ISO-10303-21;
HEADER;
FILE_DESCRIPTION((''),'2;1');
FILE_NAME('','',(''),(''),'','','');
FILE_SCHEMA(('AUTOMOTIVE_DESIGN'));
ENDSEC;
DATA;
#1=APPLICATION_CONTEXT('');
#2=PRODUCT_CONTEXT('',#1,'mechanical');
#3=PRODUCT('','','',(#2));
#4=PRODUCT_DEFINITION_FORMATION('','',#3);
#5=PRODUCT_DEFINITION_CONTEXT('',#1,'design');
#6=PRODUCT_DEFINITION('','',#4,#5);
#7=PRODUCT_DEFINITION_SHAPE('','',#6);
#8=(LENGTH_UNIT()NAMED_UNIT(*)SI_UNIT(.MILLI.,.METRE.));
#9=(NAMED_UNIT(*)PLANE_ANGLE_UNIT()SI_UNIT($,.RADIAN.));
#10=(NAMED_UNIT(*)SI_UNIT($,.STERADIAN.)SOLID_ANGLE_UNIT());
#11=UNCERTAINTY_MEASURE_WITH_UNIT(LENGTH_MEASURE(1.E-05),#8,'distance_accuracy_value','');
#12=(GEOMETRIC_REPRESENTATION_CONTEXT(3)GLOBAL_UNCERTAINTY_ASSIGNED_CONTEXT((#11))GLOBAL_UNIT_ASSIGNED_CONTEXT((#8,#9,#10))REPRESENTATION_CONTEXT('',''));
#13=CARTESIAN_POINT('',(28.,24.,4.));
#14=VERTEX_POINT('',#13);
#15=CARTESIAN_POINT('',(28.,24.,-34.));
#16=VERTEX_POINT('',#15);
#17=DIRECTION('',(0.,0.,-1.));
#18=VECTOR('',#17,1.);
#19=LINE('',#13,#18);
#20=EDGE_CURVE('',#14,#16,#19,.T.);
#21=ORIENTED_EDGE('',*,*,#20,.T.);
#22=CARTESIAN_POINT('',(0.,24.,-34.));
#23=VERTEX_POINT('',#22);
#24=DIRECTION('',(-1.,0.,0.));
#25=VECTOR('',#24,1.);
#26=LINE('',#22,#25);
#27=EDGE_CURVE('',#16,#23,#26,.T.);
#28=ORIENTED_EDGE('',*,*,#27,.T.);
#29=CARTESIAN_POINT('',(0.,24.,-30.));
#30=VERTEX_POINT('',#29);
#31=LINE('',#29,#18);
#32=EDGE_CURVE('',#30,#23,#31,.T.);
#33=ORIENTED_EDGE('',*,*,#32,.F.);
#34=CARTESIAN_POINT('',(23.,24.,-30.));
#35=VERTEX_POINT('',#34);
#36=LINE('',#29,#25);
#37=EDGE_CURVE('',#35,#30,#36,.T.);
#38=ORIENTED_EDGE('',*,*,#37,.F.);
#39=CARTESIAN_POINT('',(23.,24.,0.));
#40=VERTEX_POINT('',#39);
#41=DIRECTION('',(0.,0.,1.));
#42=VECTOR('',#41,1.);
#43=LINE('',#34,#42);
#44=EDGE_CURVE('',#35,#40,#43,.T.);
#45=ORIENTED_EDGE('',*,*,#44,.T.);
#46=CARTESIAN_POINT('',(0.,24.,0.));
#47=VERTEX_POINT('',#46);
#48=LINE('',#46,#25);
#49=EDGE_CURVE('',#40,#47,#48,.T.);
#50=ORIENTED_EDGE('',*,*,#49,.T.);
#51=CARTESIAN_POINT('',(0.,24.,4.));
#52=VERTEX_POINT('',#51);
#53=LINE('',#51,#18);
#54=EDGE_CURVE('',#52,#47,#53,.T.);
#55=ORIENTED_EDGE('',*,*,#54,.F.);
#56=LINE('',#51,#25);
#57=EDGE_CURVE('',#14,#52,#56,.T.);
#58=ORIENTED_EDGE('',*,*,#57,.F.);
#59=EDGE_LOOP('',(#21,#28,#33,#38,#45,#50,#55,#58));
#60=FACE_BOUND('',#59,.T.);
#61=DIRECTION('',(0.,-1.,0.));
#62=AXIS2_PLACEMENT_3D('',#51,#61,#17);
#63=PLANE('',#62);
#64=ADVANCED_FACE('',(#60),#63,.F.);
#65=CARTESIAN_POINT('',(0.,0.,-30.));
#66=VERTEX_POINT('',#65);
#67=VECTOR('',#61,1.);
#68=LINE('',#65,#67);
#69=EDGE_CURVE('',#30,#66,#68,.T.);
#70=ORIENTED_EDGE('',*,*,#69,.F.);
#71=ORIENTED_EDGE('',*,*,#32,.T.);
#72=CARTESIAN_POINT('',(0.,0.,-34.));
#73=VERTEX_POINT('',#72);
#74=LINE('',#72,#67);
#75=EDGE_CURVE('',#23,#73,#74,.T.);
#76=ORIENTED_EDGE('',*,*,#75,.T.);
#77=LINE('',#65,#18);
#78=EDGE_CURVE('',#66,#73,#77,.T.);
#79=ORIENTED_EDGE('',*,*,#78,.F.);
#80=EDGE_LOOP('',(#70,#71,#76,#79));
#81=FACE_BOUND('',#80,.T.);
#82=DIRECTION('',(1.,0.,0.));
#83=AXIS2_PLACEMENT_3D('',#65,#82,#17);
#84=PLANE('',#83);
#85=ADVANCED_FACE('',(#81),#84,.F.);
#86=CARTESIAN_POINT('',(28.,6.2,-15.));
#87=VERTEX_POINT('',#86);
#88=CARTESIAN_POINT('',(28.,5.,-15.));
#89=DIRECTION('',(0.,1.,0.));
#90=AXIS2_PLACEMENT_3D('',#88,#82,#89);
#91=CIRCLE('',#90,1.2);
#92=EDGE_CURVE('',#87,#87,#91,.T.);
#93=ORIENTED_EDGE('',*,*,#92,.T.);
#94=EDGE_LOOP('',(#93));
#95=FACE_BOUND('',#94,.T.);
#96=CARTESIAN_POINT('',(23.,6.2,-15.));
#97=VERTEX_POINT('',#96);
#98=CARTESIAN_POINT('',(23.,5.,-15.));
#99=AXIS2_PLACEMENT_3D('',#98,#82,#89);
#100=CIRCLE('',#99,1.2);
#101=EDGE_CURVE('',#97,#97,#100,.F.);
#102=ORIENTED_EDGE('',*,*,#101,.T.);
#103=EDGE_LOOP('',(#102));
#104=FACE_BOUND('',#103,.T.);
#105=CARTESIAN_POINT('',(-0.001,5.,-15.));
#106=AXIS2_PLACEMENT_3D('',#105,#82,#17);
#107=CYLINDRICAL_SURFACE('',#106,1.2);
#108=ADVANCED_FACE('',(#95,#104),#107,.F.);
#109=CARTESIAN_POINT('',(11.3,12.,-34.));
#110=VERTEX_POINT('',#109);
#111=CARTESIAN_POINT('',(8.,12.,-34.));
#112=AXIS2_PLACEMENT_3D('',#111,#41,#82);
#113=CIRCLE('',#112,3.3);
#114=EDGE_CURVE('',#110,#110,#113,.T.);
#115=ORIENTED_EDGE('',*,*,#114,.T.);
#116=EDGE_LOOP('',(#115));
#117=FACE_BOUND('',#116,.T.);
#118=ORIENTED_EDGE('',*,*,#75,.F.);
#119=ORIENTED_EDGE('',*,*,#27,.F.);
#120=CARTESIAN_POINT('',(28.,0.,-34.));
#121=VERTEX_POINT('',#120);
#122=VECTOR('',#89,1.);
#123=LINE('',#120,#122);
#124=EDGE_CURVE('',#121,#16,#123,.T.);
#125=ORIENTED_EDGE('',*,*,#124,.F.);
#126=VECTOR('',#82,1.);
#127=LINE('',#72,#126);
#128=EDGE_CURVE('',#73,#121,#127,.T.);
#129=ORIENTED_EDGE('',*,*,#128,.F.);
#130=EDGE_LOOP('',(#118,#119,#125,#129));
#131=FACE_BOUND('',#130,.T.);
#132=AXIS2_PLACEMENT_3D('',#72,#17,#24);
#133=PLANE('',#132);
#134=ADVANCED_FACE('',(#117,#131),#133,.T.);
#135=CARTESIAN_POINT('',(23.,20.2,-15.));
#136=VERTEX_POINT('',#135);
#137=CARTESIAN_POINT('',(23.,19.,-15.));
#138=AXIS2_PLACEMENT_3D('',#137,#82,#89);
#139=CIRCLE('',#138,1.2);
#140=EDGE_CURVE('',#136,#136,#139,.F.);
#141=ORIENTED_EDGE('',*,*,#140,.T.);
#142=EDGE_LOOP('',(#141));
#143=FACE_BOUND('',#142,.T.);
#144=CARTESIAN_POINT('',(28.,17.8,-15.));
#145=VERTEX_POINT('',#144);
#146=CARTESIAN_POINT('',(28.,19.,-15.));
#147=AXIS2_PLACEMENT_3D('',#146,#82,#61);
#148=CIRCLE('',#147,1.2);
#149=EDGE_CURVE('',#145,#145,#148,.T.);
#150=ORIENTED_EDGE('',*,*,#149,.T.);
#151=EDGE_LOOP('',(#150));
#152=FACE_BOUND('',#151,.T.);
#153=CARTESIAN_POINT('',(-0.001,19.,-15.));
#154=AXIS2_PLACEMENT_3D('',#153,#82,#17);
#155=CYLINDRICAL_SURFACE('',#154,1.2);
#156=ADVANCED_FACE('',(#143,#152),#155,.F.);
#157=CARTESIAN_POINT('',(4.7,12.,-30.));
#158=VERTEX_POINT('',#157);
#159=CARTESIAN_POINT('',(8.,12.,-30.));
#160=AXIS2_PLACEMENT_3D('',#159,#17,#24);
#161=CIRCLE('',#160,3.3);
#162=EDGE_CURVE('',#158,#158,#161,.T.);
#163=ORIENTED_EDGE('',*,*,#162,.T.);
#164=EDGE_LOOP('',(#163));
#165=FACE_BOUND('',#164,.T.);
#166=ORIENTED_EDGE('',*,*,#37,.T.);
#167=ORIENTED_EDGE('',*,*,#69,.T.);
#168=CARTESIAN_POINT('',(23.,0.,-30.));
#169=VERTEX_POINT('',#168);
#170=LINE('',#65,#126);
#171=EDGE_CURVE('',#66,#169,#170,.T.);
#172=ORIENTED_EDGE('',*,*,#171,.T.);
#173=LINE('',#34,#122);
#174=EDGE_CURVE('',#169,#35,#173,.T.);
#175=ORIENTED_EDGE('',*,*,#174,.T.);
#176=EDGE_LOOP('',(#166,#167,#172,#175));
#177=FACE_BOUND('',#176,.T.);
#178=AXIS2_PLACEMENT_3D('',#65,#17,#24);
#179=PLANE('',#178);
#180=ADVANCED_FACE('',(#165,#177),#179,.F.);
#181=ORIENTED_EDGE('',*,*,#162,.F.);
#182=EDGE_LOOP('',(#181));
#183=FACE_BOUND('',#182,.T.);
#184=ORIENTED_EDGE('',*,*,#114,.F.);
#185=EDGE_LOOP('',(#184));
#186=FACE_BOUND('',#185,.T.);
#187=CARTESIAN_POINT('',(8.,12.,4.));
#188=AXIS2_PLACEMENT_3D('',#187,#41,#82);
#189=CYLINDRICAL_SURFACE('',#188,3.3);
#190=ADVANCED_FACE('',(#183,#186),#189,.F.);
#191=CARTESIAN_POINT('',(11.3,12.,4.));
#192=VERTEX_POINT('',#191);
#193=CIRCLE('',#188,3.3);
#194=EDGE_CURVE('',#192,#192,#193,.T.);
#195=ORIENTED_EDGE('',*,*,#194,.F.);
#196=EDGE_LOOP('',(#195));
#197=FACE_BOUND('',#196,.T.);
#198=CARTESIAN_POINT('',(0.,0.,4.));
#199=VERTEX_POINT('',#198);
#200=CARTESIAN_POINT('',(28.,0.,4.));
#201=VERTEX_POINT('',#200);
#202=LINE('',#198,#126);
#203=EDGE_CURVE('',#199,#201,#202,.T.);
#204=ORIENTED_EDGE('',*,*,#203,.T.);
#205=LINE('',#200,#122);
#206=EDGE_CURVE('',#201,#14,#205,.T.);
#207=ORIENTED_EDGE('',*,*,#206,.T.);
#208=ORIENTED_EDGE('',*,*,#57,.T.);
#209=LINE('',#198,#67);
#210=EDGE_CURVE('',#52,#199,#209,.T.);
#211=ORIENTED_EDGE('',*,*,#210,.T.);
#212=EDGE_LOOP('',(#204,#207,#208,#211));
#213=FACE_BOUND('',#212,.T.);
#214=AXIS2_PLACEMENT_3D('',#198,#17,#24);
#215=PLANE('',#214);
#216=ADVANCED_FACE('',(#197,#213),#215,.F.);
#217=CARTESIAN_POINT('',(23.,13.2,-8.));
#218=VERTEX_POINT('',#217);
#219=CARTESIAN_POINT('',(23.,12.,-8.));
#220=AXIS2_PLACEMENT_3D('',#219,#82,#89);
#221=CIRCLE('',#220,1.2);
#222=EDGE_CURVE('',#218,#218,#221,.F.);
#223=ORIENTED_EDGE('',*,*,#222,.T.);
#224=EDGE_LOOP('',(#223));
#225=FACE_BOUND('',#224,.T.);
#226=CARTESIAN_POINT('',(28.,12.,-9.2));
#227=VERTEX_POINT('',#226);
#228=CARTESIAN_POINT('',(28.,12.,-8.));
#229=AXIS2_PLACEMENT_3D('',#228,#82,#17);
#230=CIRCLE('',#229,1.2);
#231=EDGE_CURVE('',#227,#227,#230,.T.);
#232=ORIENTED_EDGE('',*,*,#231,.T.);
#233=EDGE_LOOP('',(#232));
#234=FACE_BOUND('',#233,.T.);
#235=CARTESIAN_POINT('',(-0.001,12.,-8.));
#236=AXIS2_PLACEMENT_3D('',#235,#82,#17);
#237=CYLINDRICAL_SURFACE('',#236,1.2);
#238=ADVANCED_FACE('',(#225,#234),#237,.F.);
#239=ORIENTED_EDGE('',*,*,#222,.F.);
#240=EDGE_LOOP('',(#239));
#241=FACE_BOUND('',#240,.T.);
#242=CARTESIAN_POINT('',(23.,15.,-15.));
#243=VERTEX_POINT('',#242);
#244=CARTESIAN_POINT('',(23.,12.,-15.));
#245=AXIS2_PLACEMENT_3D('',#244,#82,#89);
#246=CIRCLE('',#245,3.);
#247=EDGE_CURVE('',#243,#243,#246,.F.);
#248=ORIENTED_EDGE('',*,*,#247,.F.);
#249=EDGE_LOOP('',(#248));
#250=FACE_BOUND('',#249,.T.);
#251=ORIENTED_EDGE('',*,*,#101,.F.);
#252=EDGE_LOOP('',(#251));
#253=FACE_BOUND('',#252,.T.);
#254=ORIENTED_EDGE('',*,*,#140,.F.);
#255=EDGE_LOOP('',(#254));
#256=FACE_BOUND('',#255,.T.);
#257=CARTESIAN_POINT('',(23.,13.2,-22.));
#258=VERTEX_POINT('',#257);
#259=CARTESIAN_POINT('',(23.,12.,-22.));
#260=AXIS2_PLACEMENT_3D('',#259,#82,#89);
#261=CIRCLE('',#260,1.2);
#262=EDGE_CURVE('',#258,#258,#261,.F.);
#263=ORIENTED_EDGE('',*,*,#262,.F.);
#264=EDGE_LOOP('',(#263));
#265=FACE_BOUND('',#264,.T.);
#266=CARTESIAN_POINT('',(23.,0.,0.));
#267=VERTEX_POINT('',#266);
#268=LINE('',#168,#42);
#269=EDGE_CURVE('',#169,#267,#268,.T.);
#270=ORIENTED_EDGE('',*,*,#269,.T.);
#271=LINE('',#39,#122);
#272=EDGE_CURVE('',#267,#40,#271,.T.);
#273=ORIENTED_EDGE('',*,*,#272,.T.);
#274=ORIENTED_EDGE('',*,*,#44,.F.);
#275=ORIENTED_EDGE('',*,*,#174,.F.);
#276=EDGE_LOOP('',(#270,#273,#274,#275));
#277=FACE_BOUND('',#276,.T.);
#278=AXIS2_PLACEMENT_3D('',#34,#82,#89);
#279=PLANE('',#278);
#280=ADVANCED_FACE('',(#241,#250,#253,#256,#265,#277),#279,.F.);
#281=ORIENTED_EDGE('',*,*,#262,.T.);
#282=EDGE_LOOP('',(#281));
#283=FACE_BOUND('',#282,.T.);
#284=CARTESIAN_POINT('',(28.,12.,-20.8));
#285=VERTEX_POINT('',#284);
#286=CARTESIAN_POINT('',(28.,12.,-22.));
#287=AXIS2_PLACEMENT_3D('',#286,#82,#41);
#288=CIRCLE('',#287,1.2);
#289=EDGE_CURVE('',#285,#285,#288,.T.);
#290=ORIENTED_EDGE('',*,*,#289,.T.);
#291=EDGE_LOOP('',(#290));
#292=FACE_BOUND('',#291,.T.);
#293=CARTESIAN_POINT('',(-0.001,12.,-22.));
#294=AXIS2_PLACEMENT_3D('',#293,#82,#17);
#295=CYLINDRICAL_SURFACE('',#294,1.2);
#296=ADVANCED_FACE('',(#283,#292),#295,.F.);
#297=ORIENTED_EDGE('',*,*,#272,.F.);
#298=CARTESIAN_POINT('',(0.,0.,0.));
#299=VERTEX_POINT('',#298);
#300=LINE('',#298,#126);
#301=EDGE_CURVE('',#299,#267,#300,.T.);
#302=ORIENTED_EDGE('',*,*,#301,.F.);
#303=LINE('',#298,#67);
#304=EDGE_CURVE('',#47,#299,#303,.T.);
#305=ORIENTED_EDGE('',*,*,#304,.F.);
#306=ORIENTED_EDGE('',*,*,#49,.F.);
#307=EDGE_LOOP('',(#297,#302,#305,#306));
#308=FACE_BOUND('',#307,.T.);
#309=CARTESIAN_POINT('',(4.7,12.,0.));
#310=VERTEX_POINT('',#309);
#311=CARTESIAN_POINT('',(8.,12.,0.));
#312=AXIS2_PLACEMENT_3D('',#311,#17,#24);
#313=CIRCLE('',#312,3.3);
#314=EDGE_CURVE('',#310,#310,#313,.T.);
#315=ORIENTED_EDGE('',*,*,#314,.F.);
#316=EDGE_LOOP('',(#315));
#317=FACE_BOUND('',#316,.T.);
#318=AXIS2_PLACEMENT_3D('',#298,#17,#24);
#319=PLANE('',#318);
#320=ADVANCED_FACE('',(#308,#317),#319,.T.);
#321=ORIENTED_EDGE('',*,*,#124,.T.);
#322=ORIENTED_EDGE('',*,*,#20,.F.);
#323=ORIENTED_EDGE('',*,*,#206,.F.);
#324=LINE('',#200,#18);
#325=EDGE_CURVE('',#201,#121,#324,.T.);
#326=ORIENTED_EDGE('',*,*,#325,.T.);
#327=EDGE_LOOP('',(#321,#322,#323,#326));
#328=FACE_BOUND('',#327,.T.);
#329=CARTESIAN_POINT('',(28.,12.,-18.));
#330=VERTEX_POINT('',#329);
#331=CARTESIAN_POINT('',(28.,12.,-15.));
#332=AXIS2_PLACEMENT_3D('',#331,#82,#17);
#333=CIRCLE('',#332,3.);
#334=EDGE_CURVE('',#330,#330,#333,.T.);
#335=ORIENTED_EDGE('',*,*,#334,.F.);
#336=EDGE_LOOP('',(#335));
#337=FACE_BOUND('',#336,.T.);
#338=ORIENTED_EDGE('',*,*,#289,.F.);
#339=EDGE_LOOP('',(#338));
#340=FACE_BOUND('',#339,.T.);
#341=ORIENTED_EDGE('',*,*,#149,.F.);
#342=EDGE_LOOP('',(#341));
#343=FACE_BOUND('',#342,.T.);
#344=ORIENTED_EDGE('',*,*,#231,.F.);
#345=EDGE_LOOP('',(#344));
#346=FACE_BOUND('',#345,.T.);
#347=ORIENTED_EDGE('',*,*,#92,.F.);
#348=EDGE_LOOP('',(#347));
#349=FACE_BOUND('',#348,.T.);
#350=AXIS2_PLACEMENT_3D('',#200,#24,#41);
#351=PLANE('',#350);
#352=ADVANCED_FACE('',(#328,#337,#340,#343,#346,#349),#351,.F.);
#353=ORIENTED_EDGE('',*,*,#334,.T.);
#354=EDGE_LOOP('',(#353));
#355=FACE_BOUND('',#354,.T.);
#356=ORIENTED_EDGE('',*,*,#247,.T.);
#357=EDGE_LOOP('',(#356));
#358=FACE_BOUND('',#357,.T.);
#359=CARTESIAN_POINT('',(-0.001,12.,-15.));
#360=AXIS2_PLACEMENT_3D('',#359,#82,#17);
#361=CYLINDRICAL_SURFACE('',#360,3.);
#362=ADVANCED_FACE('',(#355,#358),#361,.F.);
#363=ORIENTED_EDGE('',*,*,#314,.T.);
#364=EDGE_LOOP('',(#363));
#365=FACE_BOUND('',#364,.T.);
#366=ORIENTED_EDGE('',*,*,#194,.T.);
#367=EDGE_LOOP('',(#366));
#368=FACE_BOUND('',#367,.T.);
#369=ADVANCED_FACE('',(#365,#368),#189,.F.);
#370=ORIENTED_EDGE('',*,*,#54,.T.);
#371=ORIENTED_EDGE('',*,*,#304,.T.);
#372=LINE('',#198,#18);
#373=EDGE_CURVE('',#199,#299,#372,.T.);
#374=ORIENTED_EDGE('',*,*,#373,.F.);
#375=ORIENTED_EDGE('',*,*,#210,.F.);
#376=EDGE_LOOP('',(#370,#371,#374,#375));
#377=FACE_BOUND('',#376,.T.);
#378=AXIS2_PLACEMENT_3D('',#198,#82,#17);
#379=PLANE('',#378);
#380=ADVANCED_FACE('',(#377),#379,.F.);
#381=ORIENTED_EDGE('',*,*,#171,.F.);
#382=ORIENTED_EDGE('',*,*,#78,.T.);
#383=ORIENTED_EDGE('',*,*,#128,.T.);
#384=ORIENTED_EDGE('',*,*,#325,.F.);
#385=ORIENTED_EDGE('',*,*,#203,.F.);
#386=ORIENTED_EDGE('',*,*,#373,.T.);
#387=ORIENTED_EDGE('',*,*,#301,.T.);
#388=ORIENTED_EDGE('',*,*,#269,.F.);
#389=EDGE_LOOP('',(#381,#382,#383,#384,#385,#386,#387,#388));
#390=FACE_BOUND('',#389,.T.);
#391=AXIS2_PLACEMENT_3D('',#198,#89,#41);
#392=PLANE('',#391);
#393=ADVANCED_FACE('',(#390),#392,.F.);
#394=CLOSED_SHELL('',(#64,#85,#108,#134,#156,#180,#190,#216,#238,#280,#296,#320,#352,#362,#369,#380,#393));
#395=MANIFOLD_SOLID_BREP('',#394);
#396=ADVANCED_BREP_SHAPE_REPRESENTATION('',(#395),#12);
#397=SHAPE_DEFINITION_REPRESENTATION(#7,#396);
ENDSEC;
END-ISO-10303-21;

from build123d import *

# Parameters (mm, degrees)
SKETCH1_W            = 28
SKETCH1_H            = 24
BOSS_EXTRUDE1_DEPTH  = 4
SKETCH3_W            = 5
SKETCH3_H            = 24
BOSS_EXTRUDE2_DEPTH  = 30
LPATTERN1_COUNT      = 2
LPATTERN1_PITCH      = 34
M6_CLEARANCE_HOLE1_D = 6.6
CUT_EXTRUDE1_REACH   = 52.16
SKETCH8_R            = 3
SKETCH8_R_2          = 1.2
CIRPATTERN1_COUNT    = 4


with BuildPart() as part:
    # Sketch1 → Boss-Extrude1 (new body)
    with BuildSketch(Plane.XY):
        with Locations((14, 12)):
            Rectangle(SKETCH1_W, SKETCH1_H)
    boss_extrude1 = extrude(amount=BOSS_EXTRUDE1_DEPTH)

    # Sketch3 → Boss-Extrude2 (add)
    with BuildSketch(Plane(origin=(0, 0, 0), x_dir=(-1, 0, 0), z_dir=(0, 0, -1))):
        with Locations((-25.5, 12)):
            Rectangle(SKETCH3_W, SKETCH3_H)
    extrude(amount=BOSS_EXTRUDE2_DEPTH)

    # LPattern1: Boss-Extrude1 ×2
    with Locations(*[(0, 0, -i * LPATTERN1_PITCH) for i in range(1, LPATTERN1_COUNT)]):
        add(boss_extrude1)

    # M6 Clearance Hole1 (through all)
    with Locations(Plane.XY.offset(4)):
        with Locations((8, 12)):
            Hole(M6_CLEARANCE_HOLE1_D / 2)

    # Sketch8 → Cut-Extrude1 (cut, up to next)
    with BuildSketch(Plane(origin=(28, 0, 0), x_dir=(0, 0, -1), z_dir=(1, 0, 0)), mode=Mode.PRIVATE) as cut_extrude1_sk1:
        with Locations((15, 12)):
            Circle(SKETCH8_R)
    cut_extrude1_tool1 = extrude(cut_extrude1_sk1.sketch, amount=-CUT_EXTRUDE1_REACH, mode=Mode.PRIVATE) & part.part
    # Sketch8 → Cut-Extrude1 (cut, up to next)
    with BuildSketch(Plane(origin=(28, 0, 0), x_dir=(0, 0, -1), z_dir=(1, 0, 0)), mode=Mode.PRIVATE) as cut_extrude1_sk2:
        with Locations((8, 12)):
            Circle(SKETCH8_R_2)
    cut_extrude1_tool2 = extrude(cut_extrude1_sk2.sketch, amount=-CUT_EXTRUDE1_REACH, mode=Mode.PRIVATE) & part.part
    cut_extrude1_1 = cut_extrude1_tool1.solids().sort_by_distance((28, 12, -15))[0]
    add(cut_extrude1_1, mode=Mode.SUBTRACT)
    cut_extrude1_2 = cut_extrude1_tool2.solids().sort_by_distance((28, 12, -8))[0]
    add(cut_extrude1_2, mode=Mode.SUBTRACT)
    cut_extrude1 = cut_extrude1_1 + cut_extrude1_2  # Cut-Extrude1 as one shape, for the pattern or mirror that repeats it

    # CirPattern1: Cut-Extrude1 ×4 about axis
    cirpattern1_axis = Axis((0, 12, -15), (1, 0, 0))
    for i in range(1, CIRPATTERN1_COUNT):
        add(cut_extrude1.rotate(cirpattern1_axis, i * 360 / CIRPATTERN1_COUNT), mode=Mode.SUBTRACT)


solid = part.part
